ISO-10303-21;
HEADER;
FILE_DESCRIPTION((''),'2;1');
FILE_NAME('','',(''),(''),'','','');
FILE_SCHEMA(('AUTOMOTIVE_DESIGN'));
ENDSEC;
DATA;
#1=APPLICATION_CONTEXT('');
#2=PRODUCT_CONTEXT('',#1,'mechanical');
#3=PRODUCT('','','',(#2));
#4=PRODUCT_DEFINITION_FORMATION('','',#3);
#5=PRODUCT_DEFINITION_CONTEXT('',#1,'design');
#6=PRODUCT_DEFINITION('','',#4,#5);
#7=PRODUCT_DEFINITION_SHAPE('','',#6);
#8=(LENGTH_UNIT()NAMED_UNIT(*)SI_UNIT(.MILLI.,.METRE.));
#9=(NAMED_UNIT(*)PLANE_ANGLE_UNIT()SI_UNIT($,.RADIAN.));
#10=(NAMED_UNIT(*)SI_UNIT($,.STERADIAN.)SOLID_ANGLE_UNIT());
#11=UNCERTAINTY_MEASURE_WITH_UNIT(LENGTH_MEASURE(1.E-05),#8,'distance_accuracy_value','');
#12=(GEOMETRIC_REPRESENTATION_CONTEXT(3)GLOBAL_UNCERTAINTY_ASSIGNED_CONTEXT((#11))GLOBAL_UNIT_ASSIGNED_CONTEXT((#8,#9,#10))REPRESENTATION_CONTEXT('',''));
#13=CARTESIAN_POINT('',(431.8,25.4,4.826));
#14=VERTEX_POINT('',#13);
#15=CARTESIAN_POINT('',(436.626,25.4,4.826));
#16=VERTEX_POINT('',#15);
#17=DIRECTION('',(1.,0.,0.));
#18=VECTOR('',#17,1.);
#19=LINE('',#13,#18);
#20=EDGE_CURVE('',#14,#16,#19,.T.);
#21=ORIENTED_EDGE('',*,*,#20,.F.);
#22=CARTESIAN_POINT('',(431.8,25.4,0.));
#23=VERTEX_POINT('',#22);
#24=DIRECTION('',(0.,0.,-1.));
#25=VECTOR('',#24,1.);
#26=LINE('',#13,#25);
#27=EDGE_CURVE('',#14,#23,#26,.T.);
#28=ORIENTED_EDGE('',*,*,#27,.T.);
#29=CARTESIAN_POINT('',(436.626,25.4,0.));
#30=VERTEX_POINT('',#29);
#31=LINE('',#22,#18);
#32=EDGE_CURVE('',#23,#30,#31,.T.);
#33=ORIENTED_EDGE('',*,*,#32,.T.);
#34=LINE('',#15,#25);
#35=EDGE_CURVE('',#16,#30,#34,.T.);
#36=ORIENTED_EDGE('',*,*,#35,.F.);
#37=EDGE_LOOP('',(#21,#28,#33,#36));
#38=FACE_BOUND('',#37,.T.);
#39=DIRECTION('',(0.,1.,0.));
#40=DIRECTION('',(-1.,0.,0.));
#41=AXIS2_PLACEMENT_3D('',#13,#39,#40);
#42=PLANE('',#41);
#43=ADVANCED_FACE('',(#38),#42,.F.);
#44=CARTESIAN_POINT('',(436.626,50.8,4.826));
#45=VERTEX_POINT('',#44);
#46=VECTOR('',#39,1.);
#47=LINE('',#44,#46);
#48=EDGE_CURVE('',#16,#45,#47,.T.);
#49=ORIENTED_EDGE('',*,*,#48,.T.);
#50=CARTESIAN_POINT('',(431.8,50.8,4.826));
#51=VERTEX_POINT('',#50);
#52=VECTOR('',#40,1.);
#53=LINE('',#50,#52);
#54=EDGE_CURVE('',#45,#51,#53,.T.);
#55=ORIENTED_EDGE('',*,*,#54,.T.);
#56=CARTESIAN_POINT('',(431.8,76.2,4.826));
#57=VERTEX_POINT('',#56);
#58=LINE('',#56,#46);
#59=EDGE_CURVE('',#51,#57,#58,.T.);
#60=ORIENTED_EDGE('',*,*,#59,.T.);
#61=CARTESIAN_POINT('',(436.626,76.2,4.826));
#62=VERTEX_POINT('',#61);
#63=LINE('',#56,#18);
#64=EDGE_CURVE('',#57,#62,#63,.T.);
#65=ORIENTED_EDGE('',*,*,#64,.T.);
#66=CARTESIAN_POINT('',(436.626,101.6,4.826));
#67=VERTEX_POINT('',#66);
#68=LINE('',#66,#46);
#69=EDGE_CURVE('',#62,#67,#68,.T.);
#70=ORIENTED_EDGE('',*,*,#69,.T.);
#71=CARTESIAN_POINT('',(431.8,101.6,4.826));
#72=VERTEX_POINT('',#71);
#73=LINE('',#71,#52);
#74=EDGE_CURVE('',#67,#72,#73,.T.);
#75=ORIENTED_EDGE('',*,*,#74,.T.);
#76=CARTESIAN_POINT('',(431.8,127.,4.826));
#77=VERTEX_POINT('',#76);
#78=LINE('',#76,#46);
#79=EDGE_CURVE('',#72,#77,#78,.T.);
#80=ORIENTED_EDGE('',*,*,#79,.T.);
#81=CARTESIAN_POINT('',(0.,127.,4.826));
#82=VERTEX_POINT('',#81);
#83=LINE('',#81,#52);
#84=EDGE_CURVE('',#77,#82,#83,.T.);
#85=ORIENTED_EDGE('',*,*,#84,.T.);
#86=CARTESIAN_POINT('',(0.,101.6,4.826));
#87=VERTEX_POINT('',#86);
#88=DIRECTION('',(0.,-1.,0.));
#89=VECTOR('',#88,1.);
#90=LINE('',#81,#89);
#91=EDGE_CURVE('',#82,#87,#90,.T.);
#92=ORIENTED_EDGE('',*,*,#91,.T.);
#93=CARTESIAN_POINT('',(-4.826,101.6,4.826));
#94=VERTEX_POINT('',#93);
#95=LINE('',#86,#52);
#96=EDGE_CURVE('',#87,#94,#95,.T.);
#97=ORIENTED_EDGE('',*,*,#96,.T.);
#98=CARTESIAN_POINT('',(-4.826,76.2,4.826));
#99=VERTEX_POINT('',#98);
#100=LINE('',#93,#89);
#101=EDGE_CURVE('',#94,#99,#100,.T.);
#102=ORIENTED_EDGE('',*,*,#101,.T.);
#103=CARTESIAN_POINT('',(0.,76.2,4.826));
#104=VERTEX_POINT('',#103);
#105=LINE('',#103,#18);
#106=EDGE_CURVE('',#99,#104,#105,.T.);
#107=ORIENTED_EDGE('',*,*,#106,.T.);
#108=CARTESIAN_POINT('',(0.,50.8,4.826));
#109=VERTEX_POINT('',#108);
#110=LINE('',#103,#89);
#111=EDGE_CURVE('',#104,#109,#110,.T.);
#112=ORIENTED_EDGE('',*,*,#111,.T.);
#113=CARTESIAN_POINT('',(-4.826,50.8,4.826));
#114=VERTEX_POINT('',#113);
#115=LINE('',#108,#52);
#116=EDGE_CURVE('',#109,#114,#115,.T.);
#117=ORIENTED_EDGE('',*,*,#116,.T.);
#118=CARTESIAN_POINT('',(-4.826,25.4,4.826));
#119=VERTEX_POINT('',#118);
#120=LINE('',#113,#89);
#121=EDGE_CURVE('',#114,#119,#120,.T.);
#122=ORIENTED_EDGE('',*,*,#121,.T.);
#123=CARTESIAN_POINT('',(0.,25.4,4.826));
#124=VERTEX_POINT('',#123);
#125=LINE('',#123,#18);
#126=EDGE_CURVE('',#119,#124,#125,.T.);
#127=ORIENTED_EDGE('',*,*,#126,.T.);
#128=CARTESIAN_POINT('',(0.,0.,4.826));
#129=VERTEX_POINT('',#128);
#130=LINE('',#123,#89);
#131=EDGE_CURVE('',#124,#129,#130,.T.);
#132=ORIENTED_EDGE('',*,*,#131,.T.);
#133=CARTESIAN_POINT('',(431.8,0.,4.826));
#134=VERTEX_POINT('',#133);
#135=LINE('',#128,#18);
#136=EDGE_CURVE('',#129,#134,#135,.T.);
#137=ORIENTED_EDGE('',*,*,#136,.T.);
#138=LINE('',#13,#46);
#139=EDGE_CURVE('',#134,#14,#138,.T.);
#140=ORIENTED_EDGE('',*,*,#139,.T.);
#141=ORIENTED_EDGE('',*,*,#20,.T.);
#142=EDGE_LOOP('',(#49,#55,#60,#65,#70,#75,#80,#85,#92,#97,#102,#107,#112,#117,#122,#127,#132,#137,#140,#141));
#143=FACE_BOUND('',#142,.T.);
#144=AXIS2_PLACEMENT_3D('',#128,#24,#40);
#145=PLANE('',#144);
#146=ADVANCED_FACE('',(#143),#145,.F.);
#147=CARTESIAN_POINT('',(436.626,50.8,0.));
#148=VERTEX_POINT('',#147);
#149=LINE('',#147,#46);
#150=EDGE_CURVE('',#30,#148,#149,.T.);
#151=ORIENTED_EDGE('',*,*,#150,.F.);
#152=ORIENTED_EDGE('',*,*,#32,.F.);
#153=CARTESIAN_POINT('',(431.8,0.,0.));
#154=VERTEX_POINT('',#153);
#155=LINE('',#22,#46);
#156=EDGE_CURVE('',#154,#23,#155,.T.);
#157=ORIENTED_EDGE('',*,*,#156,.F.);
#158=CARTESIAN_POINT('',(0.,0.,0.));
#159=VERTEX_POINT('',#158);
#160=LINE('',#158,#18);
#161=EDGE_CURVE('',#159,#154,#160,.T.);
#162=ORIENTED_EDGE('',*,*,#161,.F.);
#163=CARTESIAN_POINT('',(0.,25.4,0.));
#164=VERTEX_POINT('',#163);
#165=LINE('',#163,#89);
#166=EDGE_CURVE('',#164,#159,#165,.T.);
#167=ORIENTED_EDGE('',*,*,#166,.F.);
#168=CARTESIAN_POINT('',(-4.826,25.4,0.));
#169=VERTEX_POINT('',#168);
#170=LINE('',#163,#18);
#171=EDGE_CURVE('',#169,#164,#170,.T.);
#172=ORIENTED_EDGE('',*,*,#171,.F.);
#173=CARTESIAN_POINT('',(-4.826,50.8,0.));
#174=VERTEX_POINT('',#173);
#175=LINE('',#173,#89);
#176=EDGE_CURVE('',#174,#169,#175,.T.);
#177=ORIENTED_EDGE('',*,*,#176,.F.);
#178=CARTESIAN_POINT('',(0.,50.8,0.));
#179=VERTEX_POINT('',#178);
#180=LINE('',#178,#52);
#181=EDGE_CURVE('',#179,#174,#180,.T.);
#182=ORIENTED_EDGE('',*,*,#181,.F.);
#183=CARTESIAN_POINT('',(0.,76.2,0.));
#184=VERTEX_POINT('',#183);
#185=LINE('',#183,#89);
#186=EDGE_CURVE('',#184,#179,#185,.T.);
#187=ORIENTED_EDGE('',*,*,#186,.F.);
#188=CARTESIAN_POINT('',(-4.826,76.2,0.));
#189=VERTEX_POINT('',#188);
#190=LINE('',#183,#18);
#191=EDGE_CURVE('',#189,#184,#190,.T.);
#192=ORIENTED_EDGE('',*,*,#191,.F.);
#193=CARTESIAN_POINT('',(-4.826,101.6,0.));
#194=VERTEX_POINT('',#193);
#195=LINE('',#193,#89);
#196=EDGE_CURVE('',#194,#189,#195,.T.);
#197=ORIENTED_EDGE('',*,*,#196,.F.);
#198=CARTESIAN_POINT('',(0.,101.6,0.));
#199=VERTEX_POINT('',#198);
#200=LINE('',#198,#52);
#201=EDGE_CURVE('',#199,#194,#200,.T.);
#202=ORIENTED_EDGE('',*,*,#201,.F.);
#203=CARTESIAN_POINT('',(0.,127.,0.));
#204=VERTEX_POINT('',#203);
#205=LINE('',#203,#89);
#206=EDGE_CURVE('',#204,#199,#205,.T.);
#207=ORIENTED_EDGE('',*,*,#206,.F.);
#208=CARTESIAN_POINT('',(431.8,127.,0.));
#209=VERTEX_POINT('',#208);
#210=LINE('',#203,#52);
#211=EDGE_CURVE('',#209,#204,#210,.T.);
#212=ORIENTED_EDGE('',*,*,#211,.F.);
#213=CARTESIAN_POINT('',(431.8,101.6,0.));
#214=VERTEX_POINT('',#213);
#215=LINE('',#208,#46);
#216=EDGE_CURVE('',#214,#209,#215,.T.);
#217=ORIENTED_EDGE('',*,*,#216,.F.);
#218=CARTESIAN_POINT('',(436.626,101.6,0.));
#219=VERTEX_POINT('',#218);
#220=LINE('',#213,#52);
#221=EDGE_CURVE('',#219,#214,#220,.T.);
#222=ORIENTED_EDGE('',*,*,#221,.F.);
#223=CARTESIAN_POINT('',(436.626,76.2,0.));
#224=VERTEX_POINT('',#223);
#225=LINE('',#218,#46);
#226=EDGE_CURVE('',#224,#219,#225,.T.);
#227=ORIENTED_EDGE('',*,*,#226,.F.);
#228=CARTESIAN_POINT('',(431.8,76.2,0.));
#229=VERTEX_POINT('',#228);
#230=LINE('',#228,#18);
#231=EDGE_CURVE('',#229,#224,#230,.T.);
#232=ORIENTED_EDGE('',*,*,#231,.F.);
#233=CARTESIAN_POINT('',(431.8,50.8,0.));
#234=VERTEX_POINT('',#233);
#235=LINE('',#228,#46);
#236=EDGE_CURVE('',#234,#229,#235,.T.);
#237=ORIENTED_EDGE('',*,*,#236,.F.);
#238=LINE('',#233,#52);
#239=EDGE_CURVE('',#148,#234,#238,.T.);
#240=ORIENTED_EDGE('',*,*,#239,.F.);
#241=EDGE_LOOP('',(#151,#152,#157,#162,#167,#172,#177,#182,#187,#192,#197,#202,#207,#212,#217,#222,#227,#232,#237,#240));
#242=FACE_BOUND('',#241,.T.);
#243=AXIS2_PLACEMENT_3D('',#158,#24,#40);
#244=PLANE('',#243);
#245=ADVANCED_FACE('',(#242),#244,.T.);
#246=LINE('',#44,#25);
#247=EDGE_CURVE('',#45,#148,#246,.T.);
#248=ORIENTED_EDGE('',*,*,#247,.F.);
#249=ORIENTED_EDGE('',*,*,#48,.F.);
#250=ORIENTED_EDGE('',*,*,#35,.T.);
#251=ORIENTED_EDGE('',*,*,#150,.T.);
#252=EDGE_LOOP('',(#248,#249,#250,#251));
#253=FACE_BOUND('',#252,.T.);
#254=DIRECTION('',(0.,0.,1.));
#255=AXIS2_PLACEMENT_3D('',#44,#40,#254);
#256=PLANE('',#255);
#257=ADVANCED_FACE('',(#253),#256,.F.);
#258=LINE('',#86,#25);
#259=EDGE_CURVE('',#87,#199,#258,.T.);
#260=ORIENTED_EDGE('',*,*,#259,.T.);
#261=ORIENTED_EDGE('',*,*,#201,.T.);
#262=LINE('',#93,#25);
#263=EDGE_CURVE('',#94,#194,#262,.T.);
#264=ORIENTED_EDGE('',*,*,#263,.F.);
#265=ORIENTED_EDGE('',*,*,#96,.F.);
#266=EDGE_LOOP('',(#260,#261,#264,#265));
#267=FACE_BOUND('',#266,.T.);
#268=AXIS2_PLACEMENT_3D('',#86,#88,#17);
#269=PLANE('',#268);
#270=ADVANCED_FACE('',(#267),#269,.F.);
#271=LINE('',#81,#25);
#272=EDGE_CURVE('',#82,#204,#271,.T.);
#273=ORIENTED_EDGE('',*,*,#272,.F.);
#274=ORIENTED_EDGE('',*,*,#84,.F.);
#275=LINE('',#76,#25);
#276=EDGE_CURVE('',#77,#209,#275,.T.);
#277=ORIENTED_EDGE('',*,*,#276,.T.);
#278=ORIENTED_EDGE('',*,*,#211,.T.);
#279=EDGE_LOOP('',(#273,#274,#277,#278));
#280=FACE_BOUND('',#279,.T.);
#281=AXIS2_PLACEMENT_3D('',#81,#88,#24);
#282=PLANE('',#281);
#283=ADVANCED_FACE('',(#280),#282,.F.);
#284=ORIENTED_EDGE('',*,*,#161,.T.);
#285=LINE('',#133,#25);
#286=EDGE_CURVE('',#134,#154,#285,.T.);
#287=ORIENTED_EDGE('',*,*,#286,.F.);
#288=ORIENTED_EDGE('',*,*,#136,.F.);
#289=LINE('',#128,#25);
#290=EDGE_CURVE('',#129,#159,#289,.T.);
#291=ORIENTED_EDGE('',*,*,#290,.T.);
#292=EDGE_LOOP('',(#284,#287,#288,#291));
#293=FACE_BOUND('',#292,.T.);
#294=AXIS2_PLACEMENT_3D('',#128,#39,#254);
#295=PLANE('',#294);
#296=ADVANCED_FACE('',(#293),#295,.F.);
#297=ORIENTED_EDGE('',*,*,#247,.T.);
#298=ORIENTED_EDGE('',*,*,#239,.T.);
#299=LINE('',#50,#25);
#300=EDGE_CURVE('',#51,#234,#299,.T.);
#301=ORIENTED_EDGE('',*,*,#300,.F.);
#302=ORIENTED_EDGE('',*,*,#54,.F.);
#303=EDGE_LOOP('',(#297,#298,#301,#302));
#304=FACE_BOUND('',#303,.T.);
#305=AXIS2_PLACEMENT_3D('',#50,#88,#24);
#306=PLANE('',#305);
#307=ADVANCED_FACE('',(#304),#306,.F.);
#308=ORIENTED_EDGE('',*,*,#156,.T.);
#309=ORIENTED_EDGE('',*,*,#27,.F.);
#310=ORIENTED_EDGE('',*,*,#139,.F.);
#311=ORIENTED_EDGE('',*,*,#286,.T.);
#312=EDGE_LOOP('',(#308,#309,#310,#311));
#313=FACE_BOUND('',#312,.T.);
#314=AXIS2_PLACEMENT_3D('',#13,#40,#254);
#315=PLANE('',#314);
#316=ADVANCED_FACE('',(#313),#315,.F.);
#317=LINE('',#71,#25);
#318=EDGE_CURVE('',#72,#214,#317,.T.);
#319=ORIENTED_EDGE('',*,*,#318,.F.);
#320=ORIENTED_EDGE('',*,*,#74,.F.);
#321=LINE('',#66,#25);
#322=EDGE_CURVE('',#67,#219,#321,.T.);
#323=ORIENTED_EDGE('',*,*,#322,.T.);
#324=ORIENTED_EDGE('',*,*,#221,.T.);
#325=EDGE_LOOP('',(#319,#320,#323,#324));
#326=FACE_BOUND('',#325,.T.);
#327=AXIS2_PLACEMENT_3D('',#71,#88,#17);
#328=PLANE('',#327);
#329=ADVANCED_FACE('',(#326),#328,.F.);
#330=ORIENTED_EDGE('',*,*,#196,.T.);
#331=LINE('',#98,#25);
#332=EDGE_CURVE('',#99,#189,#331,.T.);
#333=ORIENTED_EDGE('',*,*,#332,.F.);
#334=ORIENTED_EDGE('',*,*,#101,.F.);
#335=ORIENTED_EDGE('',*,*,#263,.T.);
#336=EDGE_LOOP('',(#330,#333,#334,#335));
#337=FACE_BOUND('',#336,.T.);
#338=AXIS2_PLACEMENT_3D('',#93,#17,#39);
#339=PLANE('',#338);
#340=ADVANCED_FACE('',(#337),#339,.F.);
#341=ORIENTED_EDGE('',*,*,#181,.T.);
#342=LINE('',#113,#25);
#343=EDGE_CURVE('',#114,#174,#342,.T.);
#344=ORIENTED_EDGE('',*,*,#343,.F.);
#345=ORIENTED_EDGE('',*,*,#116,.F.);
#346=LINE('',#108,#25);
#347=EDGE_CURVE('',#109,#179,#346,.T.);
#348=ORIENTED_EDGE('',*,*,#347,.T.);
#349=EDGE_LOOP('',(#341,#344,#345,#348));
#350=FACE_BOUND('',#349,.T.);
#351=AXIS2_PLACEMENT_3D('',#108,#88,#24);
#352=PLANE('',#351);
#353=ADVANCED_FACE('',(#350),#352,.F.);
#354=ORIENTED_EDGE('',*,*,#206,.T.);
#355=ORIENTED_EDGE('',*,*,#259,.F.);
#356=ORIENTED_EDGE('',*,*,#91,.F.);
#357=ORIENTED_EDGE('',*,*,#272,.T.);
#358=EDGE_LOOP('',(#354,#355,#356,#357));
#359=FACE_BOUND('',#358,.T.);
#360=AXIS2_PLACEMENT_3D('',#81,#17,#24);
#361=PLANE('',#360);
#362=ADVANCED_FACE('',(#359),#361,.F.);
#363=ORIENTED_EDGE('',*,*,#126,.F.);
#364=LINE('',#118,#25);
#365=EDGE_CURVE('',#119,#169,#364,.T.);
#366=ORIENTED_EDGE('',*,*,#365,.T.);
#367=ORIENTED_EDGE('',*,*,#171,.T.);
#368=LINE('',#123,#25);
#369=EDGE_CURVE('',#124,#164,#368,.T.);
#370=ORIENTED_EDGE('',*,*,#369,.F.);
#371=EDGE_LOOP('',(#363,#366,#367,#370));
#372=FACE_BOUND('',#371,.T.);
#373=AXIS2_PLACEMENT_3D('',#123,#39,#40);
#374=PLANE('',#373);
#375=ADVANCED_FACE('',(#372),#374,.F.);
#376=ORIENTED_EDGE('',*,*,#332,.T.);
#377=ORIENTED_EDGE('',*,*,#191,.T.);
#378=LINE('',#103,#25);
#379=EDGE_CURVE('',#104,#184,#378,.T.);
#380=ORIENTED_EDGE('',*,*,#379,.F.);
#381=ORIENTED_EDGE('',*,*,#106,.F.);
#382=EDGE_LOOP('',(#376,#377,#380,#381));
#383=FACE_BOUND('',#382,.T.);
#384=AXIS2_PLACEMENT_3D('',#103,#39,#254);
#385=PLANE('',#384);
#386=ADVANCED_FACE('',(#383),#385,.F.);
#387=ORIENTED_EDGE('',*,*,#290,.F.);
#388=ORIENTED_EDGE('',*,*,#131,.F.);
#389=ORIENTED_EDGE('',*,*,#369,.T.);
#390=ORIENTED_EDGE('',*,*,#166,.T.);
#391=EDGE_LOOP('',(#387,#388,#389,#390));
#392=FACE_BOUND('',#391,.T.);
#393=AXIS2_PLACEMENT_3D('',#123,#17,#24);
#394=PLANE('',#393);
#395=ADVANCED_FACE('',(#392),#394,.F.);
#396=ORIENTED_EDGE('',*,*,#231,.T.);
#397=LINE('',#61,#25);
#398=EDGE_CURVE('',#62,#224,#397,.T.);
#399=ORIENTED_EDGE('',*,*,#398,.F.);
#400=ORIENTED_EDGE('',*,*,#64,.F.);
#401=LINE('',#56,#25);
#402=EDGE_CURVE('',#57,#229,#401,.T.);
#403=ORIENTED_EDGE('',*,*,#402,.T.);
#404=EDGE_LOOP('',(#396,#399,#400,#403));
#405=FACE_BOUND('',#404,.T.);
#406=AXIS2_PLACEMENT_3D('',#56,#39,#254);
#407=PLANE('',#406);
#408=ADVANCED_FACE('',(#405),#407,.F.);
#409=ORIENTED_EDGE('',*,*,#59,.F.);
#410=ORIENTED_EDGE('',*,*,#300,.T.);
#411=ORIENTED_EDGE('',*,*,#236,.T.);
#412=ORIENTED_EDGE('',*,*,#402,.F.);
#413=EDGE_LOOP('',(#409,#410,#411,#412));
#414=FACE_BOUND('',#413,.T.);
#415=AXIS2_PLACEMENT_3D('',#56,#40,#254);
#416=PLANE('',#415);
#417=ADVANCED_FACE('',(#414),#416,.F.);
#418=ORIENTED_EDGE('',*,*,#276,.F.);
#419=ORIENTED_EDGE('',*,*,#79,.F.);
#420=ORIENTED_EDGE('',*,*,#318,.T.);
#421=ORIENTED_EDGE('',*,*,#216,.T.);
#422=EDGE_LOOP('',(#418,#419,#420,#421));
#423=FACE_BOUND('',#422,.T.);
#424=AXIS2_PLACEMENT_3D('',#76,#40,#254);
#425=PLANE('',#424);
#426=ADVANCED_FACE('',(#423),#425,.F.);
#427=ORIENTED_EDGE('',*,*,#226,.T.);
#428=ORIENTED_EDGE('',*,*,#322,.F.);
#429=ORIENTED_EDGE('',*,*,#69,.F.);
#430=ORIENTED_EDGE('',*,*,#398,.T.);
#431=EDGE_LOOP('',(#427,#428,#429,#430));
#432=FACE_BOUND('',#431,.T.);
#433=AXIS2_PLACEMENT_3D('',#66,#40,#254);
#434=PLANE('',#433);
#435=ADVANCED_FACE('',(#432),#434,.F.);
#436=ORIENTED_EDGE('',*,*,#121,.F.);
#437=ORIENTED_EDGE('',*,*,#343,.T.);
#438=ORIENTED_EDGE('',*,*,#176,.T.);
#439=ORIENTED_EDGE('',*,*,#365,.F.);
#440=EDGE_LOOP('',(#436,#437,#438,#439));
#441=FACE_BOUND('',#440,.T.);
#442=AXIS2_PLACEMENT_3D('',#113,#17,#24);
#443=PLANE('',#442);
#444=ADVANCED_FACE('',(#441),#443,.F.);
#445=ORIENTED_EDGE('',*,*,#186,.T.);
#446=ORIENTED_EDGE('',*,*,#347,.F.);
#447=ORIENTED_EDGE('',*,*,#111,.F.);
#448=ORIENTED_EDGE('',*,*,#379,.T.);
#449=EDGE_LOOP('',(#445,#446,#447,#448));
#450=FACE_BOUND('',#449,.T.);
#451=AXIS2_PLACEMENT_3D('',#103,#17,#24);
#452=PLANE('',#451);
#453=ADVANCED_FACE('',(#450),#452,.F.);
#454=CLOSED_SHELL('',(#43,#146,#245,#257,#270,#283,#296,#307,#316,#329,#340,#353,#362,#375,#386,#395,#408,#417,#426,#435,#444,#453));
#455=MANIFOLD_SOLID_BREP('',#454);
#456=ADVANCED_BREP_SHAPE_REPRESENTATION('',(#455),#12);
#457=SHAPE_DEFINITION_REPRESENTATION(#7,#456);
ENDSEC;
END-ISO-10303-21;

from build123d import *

# Parameters (mm, degrees)
BOSS_EXTRUDE1_DEPTH = 4.826


with BuildPart() as part:
    # Sketch1 → Boss-Extrude1 (new body)
    with BuildSketch(Plane.XY):
        Polygon((0, 76.2), (0, 50.8), (-4.826, 50.8), (-4.826, 25.4), (0, 25.4), (0, 0), (431.8, 0), (431.8, 25.4), (436.626, 25.4), (436.626, 50.8), (431.8, 50.8), (431.8, 76.2), (436.626, 76.2), (436.626, 101.6), (431.8, 101.6), (431.8, 127), (0, 127), (0, 101.6), (-4.826, 101.6), (-4.826, 76.2), align=None)
    extrude(amount=BOSS_EXTRUDE1_DEPTH)


solid = part.part
